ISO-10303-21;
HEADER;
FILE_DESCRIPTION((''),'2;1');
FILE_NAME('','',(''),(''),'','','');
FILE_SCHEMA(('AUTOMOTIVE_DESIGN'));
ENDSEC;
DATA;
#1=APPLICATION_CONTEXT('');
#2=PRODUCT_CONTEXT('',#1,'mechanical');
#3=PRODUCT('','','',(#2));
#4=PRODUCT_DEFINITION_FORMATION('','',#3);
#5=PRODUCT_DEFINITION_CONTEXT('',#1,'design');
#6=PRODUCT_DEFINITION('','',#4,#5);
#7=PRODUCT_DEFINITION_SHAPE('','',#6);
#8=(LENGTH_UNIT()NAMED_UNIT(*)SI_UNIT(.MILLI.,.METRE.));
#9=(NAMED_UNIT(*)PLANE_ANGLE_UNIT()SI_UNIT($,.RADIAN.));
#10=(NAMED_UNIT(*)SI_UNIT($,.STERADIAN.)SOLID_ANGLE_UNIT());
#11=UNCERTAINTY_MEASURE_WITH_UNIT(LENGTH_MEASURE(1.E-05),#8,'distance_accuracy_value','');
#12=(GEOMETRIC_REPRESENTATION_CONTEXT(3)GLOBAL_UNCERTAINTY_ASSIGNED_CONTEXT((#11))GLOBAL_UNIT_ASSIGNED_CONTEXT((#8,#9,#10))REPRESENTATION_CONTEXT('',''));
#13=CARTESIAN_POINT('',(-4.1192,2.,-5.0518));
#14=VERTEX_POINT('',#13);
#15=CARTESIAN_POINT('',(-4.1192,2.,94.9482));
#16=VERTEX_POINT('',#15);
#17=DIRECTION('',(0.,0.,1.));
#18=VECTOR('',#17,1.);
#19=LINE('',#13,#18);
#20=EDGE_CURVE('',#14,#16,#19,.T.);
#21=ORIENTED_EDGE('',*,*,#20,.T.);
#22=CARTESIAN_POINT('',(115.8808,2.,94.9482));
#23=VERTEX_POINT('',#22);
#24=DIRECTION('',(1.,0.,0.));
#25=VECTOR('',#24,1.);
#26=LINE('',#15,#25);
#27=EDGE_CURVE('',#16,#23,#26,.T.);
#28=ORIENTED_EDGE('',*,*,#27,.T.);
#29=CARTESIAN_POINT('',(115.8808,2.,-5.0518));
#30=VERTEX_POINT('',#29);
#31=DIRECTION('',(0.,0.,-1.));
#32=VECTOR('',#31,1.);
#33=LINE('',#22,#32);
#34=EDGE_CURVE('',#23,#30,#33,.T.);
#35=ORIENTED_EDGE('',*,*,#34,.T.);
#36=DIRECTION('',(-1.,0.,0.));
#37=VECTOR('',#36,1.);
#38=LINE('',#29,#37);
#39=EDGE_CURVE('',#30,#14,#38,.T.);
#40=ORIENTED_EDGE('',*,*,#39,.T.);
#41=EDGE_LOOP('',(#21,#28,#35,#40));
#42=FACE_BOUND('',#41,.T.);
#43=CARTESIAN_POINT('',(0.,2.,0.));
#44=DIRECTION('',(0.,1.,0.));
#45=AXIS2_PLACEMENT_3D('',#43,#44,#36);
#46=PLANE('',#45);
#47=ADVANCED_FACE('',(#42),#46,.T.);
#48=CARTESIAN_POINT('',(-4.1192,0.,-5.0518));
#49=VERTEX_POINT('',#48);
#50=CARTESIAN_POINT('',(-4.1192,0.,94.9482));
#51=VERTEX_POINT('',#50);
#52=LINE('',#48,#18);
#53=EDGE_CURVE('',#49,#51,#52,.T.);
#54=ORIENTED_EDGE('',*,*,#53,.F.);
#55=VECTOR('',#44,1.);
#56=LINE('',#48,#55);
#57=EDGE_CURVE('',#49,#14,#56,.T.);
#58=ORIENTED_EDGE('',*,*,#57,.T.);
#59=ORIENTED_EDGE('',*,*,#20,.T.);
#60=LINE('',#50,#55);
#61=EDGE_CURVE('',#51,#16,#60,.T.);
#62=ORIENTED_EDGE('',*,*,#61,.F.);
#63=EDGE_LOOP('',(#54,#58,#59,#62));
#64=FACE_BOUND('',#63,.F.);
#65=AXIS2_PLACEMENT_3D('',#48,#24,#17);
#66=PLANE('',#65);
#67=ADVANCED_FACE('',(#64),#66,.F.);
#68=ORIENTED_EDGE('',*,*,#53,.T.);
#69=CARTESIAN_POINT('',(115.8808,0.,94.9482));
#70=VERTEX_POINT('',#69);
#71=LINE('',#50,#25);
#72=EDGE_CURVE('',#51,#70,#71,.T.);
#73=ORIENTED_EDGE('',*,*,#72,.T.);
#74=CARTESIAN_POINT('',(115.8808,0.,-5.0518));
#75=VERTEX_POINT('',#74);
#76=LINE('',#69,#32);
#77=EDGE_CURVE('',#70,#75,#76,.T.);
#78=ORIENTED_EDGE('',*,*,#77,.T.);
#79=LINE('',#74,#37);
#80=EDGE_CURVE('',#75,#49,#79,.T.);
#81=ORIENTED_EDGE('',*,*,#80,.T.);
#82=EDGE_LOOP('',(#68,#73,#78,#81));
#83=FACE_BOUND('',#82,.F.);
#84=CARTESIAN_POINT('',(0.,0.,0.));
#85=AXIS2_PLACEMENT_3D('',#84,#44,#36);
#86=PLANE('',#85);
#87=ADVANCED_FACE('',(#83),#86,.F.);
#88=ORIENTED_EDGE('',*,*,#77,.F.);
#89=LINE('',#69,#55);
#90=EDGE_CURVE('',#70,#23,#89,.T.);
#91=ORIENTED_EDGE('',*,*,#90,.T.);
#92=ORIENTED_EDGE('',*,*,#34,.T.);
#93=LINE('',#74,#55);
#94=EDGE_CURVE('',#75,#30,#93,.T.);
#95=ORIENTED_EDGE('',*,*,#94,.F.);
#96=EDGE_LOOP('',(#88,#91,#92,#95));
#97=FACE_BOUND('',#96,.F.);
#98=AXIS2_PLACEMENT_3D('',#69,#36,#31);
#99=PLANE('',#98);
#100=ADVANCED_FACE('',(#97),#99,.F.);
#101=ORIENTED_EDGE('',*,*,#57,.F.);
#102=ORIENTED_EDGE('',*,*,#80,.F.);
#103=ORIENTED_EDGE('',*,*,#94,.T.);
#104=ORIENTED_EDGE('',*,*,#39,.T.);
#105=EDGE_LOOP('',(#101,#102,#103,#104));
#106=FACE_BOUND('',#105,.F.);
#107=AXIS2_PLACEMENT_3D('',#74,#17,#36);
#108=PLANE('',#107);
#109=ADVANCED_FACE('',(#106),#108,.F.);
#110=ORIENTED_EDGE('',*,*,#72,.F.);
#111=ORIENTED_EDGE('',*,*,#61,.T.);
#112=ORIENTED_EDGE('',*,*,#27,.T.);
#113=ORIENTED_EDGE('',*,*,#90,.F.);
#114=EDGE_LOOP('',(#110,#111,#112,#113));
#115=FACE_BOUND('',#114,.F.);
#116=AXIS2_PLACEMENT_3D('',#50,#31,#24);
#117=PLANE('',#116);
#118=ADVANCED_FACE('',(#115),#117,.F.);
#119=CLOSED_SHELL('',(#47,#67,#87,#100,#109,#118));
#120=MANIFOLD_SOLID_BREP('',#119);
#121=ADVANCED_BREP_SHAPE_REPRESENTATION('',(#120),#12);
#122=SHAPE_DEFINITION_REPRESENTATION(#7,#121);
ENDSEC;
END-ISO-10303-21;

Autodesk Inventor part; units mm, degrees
ref_plane "YZ Plane" through (0, 0, 0) normal (1, 0, 0) x (0, 1, 0)
ref_plane "XZ Plane" through (0, 0, 0) normal (0, 1, 0) x (-1, 0, 0)
ref_plane "XY Plane" through (0, 0, 0) normal (0, 0, 1) x (1, 0, 0)
sketch "Sketch1" plane through (0, 0, 0) normal (0, 1, 0) x (-1, 0, 0)
  line L0 (4.1192, 94.9482) -> (-115.8808, 94.9482)
  line L1 (-115.8808, 94.9482) -> (-115.8808, -5.0518)
  line L2 (-115.8808, -5.0518) -> (4.1192, -5.0518)
  line L3 (4.1192, -5.0518) -> (4.1192, 94.9482)
  point P0 (0, 0)
  dimension "d0" = 100
  dimension "d1" = 120
extrude "Extrusion1" add sketch "Sketch1" along normal blind 2
sketch "Sketch2" plane through (0, 2, 0) normal (0, 1, 0) x (1, 0, 0)
  line L0 (0.8808, 0.0518) -> (57.8808, 0.0518)
  line L1 (57.8808, 0.0518) -> (57.8808, -83.9482)
  line L2 (57.8808, -83.9482) -> (0.8808, -83.9482)
  line L3 (0.8808, -83.9482) -> (0.8808, 0.0518)
  line L4 (67.8808, 0.0518) -> (110.8808, 0.0518)
  line L5 (110.8808, 0.0518) -> (110.8808, -42.9482)
  line L6 (110.8808, -42.9482) -> (67.8808, -42.9482)
  line L7 (67.8808, -42.9482) -> (67.8808, 0.0518)
  line L8 (115.8808, 5.0518) -> (-4.1192, 5.0518) projected
  line L9 (115.8808, -94.9482) -> (115.8808, 5.0518) projected
  line L10 (-4.1192, 5.0518) -> (-4.1192, -94.9482) projected
  circle A0 centre (72.2653, -2.7404) radius 1.4
  circle A1 centre (109.2543, -3.6401) radius 1.4
  circle A2 centre (109.7111, -40.6373) radius 1.4
  circle A3 centre (72.722, -39.7376) radius 1.4
  point P0 (0, 0)
  dimension "d4" = 57
  dimension "d5" = 84
  dimension "d6" = 43
  dimension "d7" = 43
  dimension "d8" = 5
  dimension "d9" = 5
  dimension "d10" = 5
  dimension "d11" = 5
  dimension "d12" = 2.8
  dimension "d13" = 2.8
  dimension "d14" = 2.8
  dimension "d15" = 2.8
  dimension "d16" = 37
  dimension "d17" = 37
  dimension "d18" = 37
  dimension "d19" = 37
